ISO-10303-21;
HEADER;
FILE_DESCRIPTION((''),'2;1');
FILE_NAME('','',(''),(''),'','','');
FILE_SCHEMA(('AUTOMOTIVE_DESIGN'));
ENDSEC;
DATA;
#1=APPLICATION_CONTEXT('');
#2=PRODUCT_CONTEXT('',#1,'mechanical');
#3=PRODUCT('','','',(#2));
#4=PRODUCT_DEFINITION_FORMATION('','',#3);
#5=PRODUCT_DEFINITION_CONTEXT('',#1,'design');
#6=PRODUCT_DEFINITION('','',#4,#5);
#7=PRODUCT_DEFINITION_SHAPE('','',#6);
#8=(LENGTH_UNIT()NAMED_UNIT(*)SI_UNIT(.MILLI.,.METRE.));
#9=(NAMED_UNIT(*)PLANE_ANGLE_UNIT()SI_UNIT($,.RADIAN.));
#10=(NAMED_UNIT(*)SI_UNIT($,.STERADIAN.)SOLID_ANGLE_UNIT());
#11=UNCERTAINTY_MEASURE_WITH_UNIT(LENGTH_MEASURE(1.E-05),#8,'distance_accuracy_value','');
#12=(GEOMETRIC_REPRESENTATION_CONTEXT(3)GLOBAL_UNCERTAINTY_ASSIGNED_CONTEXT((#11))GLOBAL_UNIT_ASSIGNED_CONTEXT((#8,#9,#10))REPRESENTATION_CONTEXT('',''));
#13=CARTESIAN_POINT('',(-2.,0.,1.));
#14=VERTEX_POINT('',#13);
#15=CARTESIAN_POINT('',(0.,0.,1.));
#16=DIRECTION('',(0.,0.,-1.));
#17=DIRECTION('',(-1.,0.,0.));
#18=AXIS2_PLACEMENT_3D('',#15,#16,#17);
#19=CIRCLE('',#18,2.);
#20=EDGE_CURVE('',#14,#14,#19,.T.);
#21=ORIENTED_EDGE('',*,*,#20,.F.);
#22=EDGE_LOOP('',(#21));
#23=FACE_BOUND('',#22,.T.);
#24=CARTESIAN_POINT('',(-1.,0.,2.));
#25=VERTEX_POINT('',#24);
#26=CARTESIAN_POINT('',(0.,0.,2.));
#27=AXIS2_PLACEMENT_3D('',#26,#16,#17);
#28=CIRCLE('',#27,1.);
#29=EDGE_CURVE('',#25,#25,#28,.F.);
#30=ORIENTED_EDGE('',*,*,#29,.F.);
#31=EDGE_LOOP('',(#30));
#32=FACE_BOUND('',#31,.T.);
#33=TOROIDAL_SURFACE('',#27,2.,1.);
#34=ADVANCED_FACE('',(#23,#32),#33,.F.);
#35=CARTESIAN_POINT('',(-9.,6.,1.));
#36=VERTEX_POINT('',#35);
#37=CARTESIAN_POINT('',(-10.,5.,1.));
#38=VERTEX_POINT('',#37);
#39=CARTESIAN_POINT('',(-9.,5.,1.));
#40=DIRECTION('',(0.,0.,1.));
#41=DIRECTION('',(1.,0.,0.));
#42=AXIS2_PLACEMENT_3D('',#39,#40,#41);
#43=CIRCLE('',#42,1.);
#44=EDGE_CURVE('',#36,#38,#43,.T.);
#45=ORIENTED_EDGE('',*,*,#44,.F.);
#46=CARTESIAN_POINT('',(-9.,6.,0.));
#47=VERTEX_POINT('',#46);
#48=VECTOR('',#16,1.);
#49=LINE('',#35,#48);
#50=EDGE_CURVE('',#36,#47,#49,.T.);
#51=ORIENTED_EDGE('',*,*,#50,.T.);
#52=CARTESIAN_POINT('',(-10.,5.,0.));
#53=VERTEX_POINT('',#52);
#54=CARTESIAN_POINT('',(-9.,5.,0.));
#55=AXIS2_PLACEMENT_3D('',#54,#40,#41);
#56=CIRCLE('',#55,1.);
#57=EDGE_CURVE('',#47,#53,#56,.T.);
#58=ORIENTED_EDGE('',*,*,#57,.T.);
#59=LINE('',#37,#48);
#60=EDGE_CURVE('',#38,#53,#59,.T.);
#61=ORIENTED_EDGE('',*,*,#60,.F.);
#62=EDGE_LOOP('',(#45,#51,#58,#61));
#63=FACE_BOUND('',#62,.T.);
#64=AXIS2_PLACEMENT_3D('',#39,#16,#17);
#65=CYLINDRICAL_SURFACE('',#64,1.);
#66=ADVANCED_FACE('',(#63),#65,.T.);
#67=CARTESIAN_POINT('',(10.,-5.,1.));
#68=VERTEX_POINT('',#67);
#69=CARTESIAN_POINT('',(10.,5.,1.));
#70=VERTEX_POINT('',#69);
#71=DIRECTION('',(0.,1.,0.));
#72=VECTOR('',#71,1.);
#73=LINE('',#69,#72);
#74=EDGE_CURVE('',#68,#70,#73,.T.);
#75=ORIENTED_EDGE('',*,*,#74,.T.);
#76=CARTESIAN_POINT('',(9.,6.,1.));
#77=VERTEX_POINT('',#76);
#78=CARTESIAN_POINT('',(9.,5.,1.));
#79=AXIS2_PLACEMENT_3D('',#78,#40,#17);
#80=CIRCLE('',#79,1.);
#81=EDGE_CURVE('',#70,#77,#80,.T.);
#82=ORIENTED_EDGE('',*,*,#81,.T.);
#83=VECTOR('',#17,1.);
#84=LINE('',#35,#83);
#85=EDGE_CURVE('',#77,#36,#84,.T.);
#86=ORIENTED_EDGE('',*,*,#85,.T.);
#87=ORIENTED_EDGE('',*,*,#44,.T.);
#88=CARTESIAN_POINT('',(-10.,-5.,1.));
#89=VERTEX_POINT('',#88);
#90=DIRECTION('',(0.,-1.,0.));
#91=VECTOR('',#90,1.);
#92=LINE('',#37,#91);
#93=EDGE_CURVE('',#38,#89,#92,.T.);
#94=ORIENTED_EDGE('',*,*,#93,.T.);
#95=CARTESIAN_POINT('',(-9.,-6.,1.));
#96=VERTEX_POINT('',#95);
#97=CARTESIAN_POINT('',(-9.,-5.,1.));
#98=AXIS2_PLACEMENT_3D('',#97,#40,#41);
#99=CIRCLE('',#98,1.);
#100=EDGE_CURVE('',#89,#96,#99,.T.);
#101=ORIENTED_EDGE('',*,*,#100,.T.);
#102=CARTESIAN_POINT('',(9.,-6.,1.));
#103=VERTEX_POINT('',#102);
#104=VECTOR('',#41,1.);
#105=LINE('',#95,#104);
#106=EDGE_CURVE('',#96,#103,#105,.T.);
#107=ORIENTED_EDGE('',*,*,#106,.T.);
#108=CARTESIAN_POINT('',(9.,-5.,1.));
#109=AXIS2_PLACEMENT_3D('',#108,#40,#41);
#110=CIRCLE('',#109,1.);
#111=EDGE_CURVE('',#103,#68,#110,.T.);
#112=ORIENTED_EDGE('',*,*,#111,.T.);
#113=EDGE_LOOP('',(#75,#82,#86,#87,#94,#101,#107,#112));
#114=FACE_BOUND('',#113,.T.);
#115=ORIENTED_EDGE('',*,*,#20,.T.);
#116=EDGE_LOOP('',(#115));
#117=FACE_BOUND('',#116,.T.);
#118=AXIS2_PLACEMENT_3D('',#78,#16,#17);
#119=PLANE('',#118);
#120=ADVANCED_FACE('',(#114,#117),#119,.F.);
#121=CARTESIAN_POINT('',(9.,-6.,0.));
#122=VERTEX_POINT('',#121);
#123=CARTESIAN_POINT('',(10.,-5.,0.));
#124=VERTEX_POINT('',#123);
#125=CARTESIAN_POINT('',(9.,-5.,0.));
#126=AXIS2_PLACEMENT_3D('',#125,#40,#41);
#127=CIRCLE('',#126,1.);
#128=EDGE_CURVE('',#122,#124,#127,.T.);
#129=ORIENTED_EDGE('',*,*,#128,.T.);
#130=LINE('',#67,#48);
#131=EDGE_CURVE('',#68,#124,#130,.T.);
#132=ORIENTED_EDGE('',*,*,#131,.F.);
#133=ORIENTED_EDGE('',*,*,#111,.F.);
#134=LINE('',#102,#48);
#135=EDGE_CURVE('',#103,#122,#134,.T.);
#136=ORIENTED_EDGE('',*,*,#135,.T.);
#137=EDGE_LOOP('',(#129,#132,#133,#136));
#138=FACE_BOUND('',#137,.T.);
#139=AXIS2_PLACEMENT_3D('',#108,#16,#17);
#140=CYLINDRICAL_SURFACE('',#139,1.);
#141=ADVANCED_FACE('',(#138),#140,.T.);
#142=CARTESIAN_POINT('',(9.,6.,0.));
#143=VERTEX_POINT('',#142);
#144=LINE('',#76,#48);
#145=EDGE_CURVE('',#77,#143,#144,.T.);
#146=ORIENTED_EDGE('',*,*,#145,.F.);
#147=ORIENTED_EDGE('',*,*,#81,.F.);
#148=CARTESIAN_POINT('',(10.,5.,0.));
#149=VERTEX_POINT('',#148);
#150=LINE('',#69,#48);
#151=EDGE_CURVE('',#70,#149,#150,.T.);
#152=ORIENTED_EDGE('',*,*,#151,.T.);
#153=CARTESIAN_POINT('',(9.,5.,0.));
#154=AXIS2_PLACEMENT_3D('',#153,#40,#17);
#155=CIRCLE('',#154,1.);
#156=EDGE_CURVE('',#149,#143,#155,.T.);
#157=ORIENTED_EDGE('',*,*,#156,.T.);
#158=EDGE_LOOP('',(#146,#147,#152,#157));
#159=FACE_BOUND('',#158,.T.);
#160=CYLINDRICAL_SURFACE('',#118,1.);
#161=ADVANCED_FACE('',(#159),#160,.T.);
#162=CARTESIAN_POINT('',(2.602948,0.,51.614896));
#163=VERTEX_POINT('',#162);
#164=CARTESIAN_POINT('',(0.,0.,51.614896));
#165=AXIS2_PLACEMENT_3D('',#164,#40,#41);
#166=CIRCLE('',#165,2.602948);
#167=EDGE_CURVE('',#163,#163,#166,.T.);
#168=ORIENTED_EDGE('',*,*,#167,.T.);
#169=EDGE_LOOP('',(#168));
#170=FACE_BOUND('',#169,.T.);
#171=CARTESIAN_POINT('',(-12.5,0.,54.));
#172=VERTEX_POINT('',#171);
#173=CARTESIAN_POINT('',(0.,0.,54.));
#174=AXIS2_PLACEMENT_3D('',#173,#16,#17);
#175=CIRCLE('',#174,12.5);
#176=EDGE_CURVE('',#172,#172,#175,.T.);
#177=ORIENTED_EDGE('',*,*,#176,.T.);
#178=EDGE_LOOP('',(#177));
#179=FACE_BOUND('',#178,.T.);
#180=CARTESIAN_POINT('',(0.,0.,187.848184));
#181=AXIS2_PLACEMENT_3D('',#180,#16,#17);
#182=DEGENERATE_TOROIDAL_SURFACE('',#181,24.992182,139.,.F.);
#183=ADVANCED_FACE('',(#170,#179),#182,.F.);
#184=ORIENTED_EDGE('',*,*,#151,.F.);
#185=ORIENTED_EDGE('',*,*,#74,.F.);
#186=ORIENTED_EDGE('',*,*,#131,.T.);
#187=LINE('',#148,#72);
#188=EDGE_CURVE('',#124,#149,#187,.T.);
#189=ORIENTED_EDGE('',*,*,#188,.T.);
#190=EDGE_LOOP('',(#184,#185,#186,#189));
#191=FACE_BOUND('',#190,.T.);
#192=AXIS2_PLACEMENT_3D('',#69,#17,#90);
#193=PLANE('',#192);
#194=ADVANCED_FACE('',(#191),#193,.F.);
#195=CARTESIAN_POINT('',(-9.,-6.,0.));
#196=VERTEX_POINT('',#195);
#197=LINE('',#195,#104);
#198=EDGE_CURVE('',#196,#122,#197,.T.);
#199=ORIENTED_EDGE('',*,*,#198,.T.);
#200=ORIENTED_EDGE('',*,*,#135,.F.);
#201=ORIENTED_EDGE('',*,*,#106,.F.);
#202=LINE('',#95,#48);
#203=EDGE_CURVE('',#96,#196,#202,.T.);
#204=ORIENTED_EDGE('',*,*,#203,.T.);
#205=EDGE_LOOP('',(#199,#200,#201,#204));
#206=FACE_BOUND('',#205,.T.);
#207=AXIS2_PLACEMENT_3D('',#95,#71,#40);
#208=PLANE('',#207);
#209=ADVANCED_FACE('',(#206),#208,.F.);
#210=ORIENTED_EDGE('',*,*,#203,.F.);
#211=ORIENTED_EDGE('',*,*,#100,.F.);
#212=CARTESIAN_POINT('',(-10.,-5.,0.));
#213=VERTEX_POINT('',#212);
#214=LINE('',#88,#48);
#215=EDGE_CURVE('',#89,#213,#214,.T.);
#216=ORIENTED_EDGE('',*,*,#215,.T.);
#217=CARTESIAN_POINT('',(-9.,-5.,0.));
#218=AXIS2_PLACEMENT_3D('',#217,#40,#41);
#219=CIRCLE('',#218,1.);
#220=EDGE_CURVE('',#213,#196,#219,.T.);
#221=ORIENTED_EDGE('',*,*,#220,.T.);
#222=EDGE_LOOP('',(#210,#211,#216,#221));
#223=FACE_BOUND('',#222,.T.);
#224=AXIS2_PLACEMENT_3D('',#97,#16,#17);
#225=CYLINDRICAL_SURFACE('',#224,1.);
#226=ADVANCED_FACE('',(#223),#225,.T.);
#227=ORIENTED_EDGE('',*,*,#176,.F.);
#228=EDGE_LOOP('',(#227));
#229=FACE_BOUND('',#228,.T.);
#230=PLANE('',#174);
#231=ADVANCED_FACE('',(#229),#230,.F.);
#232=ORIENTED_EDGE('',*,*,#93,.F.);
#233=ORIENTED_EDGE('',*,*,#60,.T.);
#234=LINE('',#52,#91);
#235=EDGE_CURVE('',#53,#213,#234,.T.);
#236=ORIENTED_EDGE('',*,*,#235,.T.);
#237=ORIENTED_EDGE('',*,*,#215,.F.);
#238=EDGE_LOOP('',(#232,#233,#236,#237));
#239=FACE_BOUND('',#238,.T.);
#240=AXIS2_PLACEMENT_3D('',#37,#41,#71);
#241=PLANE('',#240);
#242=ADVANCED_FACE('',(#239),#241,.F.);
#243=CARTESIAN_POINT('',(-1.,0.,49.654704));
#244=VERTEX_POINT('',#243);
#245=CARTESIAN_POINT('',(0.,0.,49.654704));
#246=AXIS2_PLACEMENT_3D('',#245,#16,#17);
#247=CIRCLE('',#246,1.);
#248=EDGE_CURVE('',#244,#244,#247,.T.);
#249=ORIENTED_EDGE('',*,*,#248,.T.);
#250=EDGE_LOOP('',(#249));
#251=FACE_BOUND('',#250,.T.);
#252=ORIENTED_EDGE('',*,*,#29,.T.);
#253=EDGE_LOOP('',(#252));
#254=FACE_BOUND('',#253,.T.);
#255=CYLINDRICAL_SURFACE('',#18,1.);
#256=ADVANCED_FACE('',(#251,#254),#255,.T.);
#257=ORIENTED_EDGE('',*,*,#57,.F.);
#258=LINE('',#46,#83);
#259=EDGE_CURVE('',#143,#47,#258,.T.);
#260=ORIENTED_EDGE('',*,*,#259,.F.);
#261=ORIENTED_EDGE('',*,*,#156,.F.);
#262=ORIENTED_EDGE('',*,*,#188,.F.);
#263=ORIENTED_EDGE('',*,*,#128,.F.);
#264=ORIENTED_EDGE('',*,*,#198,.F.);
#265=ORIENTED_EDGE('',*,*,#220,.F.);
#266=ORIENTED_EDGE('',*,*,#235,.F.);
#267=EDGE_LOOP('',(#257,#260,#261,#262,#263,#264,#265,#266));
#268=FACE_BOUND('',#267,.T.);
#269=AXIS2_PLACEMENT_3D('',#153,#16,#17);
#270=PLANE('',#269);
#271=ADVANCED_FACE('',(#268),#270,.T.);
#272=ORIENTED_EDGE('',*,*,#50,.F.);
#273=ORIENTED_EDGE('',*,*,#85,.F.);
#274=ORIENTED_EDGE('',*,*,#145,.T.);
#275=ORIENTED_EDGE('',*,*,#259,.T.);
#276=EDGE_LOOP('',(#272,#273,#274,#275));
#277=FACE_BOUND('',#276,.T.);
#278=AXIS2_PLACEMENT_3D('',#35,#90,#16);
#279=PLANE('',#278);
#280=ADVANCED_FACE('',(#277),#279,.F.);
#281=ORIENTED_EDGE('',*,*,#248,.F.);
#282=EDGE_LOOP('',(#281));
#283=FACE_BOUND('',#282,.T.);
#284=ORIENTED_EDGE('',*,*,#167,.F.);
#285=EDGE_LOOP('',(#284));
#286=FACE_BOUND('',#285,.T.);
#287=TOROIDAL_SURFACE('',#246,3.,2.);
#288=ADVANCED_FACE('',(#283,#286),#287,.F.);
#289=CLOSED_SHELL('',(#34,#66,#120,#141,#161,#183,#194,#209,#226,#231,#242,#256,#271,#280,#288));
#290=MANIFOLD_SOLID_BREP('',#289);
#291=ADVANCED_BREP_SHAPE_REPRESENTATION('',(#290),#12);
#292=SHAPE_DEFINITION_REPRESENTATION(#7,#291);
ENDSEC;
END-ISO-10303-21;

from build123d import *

# Parameters (mm, degrees)
BOSS_EXTRUDE1_DEPTH = 1
FILLET1_R           = 2
FILLET2_R           = 1


with BuildPart() as part:
    # Sketch1 → Boss-Extrude1 (new body)
    with BuildSketch(Plane.XY):
        with BuildLine():
            Line((-9, 6), (9, 6))
            ThreePointArc((9, 6), (9.707106781, 5.707106781), (10, 5))
            Line((10, 5), (10, -5))
            ThreePointArc((10, -5), (9.707106781, -5.707106781), (9, -6))
            Line((9, -6), (-9, -6))
            ThreePointArc((-9, -6), (-9.707106781, -5.707106781), (-10, -5))
            Line((-10, -5), (-10, 5))
            ThreePointArc((-10, 5), (-9.707106781, 5.707106781), (-9, 6))
        make_face()
    extrude(amount=BOSS_EXTRUDE1_DEPTH)

    # Sketch2 → Revolve2 (revolve)
    with BuildSketch(Plane(origin=(0, 0, 0), x_dir=(1, 0, 0), z_dir=(0, 1, 0))):
        with BuildLine():
            Line((0, -1), (0, -54))
            Line((0, -54), (12.5, -54))
            ThreePointArc((12.5, -54), (6.778694886, -52.527781041), (1, -51.3))
            Line((1, -51.3), (1, -1))
            Line((1, -1), (0, -1))
        make_face()
    revolve(axis=Axis((0, 0, 1), (0, 0, 1)))

    # Fillet1
    fillet1_edges = [part.edges().sort_by_distance(p)[0] for p in [
        (-1, 0, 51.3),
    ]]
    fillet(fillet1_edges, radius=FILLET1_R)

    # Fillet2
    fillet2_edges = [part.edges().sort_by_distance(p)[0] for p in [
        (-1, 0, 1),
    ]]
    fillet(fillet2_edges, radius=FILLET2_R)


solid = part.part
